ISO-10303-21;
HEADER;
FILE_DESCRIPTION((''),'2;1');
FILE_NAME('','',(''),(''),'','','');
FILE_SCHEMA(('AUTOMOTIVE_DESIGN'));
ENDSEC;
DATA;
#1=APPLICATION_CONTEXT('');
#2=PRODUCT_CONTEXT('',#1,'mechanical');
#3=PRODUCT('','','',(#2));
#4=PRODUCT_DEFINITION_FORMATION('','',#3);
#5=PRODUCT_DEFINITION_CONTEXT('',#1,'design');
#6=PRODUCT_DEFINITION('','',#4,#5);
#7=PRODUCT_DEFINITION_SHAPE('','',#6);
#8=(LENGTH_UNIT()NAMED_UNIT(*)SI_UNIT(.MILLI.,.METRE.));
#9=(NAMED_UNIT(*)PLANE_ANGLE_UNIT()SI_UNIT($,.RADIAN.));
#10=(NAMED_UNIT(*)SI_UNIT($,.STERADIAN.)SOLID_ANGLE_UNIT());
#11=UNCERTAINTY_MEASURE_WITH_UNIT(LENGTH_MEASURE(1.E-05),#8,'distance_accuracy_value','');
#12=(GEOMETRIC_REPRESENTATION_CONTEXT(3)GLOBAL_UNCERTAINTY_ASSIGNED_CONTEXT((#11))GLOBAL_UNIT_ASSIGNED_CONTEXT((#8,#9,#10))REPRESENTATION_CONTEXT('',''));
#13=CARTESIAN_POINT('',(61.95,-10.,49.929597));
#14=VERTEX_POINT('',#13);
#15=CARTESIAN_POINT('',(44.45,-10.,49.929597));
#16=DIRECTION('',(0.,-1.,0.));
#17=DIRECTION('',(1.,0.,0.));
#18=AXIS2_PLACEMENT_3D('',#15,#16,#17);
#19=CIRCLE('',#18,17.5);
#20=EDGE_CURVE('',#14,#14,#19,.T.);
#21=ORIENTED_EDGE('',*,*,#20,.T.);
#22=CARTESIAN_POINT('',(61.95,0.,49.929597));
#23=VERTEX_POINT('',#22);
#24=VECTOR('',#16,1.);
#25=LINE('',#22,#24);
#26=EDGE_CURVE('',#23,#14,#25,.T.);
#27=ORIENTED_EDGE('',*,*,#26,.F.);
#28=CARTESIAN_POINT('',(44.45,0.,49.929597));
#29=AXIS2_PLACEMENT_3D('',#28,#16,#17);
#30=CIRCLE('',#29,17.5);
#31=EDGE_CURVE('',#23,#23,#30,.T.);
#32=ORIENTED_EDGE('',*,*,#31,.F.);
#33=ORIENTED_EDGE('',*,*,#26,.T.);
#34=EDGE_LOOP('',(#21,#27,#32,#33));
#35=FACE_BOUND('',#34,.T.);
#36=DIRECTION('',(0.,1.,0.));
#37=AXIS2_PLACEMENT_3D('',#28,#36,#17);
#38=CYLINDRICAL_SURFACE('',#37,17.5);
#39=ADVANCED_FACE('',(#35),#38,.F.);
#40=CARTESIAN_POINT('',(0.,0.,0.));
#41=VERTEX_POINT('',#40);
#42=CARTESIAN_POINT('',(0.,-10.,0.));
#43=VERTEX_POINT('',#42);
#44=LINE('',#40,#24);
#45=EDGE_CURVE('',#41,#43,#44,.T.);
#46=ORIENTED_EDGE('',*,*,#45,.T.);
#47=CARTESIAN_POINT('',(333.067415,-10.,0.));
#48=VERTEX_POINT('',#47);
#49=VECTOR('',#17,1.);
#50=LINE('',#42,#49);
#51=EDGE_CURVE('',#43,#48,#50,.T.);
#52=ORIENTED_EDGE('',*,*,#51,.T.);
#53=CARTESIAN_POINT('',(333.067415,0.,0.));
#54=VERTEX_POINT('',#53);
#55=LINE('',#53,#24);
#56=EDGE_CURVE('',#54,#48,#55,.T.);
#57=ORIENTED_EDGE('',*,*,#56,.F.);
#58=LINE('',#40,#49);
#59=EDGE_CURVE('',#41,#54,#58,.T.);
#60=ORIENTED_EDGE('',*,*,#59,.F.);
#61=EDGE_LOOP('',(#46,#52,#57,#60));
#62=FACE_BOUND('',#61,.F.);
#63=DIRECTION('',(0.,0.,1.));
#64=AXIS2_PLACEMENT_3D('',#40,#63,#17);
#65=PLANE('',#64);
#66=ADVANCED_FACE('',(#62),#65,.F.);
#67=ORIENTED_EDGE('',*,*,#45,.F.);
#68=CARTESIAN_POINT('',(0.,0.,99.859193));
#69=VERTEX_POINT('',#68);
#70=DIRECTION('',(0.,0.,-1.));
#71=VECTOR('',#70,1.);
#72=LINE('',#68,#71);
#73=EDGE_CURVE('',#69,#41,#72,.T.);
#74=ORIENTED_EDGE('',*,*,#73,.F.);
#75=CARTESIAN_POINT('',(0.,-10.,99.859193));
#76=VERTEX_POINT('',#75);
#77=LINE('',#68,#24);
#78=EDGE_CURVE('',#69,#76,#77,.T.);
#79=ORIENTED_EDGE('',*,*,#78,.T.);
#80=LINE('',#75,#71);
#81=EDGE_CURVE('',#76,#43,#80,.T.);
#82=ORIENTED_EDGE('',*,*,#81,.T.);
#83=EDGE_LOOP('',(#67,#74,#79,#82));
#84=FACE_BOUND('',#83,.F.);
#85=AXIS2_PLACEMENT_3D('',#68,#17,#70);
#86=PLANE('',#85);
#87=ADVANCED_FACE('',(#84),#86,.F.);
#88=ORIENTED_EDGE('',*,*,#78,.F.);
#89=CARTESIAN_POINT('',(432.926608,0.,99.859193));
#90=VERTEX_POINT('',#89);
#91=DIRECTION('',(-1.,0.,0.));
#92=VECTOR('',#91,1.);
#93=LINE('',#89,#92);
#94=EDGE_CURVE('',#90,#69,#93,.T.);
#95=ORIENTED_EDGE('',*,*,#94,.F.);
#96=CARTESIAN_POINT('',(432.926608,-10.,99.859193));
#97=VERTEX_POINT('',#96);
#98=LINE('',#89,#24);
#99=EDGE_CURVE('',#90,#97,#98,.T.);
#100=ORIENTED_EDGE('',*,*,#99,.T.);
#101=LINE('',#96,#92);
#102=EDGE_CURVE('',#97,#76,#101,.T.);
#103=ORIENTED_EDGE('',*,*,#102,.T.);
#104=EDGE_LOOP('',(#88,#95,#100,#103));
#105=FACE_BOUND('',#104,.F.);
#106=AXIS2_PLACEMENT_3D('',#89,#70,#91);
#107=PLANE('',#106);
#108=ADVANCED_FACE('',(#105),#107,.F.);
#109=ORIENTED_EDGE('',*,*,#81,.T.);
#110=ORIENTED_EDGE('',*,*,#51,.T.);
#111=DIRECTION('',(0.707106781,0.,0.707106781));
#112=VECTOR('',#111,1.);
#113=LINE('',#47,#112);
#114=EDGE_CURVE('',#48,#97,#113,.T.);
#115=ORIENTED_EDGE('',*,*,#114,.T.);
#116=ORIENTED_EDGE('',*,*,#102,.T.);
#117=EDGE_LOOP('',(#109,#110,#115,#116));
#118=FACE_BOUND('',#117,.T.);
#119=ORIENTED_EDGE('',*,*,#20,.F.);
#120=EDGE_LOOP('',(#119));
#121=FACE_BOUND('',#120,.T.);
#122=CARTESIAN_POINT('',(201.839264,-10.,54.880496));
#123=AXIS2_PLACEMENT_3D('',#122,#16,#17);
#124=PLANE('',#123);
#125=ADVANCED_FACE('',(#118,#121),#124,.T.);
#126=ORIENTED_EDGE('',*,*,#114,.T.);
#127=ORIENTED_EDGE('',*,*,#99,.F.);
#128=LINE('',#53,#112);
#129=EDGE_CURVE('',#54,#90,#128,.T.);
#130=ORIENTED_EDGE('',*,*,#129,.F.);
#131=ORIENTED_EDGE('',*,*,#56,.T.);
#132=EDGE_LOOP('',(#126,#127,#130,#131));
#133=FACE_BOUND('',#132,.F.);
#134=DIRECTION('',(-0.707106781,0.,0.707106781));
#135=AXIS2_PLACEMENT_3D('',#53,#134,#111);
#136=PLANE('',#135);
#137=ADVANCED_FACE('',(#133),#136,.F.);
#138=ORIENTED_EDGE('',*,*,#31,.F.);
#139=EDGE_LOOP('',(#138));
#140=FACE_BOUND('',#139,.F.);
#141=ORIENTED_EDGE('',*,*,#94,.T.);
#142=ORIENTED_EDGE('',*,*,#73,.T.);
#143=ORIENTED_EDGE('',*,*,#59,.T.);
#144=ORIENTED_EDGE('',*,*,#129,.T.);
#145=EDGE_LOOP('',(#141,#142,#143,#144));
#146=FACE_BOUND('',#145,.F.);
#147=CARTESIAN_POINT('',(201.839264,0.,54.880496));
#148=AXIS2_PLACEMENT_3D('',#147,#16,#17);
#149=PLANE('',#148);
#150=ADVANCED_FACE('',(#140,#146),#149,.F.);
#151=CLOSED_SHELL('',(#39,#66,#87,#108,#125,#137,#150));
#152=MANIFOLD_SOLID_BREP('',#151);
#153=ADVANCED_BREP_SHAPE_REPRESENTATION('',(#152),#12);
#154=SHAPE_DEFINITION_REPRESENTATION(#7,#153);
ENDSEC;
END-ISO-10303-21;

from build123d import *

# Parameters (mm, degrees)
SKETCH_R  = 17.5
PAD_DEPTH = 10


with BuildPart() as part:
    # Sketch → Pad (new body)
    with BuildSketch(Plane.XZ):
        Polygon((333.067415, 0), (432.926608, 99.859193), (0, 99.859193), (0, 0), align=None)
        with Locations((44.45, 49.929597)):
            Circle(SKETCH_R, mode=Mode.SUBTRACT)
    extrude(amount=PAD_DEPTH)


solid = part.part
